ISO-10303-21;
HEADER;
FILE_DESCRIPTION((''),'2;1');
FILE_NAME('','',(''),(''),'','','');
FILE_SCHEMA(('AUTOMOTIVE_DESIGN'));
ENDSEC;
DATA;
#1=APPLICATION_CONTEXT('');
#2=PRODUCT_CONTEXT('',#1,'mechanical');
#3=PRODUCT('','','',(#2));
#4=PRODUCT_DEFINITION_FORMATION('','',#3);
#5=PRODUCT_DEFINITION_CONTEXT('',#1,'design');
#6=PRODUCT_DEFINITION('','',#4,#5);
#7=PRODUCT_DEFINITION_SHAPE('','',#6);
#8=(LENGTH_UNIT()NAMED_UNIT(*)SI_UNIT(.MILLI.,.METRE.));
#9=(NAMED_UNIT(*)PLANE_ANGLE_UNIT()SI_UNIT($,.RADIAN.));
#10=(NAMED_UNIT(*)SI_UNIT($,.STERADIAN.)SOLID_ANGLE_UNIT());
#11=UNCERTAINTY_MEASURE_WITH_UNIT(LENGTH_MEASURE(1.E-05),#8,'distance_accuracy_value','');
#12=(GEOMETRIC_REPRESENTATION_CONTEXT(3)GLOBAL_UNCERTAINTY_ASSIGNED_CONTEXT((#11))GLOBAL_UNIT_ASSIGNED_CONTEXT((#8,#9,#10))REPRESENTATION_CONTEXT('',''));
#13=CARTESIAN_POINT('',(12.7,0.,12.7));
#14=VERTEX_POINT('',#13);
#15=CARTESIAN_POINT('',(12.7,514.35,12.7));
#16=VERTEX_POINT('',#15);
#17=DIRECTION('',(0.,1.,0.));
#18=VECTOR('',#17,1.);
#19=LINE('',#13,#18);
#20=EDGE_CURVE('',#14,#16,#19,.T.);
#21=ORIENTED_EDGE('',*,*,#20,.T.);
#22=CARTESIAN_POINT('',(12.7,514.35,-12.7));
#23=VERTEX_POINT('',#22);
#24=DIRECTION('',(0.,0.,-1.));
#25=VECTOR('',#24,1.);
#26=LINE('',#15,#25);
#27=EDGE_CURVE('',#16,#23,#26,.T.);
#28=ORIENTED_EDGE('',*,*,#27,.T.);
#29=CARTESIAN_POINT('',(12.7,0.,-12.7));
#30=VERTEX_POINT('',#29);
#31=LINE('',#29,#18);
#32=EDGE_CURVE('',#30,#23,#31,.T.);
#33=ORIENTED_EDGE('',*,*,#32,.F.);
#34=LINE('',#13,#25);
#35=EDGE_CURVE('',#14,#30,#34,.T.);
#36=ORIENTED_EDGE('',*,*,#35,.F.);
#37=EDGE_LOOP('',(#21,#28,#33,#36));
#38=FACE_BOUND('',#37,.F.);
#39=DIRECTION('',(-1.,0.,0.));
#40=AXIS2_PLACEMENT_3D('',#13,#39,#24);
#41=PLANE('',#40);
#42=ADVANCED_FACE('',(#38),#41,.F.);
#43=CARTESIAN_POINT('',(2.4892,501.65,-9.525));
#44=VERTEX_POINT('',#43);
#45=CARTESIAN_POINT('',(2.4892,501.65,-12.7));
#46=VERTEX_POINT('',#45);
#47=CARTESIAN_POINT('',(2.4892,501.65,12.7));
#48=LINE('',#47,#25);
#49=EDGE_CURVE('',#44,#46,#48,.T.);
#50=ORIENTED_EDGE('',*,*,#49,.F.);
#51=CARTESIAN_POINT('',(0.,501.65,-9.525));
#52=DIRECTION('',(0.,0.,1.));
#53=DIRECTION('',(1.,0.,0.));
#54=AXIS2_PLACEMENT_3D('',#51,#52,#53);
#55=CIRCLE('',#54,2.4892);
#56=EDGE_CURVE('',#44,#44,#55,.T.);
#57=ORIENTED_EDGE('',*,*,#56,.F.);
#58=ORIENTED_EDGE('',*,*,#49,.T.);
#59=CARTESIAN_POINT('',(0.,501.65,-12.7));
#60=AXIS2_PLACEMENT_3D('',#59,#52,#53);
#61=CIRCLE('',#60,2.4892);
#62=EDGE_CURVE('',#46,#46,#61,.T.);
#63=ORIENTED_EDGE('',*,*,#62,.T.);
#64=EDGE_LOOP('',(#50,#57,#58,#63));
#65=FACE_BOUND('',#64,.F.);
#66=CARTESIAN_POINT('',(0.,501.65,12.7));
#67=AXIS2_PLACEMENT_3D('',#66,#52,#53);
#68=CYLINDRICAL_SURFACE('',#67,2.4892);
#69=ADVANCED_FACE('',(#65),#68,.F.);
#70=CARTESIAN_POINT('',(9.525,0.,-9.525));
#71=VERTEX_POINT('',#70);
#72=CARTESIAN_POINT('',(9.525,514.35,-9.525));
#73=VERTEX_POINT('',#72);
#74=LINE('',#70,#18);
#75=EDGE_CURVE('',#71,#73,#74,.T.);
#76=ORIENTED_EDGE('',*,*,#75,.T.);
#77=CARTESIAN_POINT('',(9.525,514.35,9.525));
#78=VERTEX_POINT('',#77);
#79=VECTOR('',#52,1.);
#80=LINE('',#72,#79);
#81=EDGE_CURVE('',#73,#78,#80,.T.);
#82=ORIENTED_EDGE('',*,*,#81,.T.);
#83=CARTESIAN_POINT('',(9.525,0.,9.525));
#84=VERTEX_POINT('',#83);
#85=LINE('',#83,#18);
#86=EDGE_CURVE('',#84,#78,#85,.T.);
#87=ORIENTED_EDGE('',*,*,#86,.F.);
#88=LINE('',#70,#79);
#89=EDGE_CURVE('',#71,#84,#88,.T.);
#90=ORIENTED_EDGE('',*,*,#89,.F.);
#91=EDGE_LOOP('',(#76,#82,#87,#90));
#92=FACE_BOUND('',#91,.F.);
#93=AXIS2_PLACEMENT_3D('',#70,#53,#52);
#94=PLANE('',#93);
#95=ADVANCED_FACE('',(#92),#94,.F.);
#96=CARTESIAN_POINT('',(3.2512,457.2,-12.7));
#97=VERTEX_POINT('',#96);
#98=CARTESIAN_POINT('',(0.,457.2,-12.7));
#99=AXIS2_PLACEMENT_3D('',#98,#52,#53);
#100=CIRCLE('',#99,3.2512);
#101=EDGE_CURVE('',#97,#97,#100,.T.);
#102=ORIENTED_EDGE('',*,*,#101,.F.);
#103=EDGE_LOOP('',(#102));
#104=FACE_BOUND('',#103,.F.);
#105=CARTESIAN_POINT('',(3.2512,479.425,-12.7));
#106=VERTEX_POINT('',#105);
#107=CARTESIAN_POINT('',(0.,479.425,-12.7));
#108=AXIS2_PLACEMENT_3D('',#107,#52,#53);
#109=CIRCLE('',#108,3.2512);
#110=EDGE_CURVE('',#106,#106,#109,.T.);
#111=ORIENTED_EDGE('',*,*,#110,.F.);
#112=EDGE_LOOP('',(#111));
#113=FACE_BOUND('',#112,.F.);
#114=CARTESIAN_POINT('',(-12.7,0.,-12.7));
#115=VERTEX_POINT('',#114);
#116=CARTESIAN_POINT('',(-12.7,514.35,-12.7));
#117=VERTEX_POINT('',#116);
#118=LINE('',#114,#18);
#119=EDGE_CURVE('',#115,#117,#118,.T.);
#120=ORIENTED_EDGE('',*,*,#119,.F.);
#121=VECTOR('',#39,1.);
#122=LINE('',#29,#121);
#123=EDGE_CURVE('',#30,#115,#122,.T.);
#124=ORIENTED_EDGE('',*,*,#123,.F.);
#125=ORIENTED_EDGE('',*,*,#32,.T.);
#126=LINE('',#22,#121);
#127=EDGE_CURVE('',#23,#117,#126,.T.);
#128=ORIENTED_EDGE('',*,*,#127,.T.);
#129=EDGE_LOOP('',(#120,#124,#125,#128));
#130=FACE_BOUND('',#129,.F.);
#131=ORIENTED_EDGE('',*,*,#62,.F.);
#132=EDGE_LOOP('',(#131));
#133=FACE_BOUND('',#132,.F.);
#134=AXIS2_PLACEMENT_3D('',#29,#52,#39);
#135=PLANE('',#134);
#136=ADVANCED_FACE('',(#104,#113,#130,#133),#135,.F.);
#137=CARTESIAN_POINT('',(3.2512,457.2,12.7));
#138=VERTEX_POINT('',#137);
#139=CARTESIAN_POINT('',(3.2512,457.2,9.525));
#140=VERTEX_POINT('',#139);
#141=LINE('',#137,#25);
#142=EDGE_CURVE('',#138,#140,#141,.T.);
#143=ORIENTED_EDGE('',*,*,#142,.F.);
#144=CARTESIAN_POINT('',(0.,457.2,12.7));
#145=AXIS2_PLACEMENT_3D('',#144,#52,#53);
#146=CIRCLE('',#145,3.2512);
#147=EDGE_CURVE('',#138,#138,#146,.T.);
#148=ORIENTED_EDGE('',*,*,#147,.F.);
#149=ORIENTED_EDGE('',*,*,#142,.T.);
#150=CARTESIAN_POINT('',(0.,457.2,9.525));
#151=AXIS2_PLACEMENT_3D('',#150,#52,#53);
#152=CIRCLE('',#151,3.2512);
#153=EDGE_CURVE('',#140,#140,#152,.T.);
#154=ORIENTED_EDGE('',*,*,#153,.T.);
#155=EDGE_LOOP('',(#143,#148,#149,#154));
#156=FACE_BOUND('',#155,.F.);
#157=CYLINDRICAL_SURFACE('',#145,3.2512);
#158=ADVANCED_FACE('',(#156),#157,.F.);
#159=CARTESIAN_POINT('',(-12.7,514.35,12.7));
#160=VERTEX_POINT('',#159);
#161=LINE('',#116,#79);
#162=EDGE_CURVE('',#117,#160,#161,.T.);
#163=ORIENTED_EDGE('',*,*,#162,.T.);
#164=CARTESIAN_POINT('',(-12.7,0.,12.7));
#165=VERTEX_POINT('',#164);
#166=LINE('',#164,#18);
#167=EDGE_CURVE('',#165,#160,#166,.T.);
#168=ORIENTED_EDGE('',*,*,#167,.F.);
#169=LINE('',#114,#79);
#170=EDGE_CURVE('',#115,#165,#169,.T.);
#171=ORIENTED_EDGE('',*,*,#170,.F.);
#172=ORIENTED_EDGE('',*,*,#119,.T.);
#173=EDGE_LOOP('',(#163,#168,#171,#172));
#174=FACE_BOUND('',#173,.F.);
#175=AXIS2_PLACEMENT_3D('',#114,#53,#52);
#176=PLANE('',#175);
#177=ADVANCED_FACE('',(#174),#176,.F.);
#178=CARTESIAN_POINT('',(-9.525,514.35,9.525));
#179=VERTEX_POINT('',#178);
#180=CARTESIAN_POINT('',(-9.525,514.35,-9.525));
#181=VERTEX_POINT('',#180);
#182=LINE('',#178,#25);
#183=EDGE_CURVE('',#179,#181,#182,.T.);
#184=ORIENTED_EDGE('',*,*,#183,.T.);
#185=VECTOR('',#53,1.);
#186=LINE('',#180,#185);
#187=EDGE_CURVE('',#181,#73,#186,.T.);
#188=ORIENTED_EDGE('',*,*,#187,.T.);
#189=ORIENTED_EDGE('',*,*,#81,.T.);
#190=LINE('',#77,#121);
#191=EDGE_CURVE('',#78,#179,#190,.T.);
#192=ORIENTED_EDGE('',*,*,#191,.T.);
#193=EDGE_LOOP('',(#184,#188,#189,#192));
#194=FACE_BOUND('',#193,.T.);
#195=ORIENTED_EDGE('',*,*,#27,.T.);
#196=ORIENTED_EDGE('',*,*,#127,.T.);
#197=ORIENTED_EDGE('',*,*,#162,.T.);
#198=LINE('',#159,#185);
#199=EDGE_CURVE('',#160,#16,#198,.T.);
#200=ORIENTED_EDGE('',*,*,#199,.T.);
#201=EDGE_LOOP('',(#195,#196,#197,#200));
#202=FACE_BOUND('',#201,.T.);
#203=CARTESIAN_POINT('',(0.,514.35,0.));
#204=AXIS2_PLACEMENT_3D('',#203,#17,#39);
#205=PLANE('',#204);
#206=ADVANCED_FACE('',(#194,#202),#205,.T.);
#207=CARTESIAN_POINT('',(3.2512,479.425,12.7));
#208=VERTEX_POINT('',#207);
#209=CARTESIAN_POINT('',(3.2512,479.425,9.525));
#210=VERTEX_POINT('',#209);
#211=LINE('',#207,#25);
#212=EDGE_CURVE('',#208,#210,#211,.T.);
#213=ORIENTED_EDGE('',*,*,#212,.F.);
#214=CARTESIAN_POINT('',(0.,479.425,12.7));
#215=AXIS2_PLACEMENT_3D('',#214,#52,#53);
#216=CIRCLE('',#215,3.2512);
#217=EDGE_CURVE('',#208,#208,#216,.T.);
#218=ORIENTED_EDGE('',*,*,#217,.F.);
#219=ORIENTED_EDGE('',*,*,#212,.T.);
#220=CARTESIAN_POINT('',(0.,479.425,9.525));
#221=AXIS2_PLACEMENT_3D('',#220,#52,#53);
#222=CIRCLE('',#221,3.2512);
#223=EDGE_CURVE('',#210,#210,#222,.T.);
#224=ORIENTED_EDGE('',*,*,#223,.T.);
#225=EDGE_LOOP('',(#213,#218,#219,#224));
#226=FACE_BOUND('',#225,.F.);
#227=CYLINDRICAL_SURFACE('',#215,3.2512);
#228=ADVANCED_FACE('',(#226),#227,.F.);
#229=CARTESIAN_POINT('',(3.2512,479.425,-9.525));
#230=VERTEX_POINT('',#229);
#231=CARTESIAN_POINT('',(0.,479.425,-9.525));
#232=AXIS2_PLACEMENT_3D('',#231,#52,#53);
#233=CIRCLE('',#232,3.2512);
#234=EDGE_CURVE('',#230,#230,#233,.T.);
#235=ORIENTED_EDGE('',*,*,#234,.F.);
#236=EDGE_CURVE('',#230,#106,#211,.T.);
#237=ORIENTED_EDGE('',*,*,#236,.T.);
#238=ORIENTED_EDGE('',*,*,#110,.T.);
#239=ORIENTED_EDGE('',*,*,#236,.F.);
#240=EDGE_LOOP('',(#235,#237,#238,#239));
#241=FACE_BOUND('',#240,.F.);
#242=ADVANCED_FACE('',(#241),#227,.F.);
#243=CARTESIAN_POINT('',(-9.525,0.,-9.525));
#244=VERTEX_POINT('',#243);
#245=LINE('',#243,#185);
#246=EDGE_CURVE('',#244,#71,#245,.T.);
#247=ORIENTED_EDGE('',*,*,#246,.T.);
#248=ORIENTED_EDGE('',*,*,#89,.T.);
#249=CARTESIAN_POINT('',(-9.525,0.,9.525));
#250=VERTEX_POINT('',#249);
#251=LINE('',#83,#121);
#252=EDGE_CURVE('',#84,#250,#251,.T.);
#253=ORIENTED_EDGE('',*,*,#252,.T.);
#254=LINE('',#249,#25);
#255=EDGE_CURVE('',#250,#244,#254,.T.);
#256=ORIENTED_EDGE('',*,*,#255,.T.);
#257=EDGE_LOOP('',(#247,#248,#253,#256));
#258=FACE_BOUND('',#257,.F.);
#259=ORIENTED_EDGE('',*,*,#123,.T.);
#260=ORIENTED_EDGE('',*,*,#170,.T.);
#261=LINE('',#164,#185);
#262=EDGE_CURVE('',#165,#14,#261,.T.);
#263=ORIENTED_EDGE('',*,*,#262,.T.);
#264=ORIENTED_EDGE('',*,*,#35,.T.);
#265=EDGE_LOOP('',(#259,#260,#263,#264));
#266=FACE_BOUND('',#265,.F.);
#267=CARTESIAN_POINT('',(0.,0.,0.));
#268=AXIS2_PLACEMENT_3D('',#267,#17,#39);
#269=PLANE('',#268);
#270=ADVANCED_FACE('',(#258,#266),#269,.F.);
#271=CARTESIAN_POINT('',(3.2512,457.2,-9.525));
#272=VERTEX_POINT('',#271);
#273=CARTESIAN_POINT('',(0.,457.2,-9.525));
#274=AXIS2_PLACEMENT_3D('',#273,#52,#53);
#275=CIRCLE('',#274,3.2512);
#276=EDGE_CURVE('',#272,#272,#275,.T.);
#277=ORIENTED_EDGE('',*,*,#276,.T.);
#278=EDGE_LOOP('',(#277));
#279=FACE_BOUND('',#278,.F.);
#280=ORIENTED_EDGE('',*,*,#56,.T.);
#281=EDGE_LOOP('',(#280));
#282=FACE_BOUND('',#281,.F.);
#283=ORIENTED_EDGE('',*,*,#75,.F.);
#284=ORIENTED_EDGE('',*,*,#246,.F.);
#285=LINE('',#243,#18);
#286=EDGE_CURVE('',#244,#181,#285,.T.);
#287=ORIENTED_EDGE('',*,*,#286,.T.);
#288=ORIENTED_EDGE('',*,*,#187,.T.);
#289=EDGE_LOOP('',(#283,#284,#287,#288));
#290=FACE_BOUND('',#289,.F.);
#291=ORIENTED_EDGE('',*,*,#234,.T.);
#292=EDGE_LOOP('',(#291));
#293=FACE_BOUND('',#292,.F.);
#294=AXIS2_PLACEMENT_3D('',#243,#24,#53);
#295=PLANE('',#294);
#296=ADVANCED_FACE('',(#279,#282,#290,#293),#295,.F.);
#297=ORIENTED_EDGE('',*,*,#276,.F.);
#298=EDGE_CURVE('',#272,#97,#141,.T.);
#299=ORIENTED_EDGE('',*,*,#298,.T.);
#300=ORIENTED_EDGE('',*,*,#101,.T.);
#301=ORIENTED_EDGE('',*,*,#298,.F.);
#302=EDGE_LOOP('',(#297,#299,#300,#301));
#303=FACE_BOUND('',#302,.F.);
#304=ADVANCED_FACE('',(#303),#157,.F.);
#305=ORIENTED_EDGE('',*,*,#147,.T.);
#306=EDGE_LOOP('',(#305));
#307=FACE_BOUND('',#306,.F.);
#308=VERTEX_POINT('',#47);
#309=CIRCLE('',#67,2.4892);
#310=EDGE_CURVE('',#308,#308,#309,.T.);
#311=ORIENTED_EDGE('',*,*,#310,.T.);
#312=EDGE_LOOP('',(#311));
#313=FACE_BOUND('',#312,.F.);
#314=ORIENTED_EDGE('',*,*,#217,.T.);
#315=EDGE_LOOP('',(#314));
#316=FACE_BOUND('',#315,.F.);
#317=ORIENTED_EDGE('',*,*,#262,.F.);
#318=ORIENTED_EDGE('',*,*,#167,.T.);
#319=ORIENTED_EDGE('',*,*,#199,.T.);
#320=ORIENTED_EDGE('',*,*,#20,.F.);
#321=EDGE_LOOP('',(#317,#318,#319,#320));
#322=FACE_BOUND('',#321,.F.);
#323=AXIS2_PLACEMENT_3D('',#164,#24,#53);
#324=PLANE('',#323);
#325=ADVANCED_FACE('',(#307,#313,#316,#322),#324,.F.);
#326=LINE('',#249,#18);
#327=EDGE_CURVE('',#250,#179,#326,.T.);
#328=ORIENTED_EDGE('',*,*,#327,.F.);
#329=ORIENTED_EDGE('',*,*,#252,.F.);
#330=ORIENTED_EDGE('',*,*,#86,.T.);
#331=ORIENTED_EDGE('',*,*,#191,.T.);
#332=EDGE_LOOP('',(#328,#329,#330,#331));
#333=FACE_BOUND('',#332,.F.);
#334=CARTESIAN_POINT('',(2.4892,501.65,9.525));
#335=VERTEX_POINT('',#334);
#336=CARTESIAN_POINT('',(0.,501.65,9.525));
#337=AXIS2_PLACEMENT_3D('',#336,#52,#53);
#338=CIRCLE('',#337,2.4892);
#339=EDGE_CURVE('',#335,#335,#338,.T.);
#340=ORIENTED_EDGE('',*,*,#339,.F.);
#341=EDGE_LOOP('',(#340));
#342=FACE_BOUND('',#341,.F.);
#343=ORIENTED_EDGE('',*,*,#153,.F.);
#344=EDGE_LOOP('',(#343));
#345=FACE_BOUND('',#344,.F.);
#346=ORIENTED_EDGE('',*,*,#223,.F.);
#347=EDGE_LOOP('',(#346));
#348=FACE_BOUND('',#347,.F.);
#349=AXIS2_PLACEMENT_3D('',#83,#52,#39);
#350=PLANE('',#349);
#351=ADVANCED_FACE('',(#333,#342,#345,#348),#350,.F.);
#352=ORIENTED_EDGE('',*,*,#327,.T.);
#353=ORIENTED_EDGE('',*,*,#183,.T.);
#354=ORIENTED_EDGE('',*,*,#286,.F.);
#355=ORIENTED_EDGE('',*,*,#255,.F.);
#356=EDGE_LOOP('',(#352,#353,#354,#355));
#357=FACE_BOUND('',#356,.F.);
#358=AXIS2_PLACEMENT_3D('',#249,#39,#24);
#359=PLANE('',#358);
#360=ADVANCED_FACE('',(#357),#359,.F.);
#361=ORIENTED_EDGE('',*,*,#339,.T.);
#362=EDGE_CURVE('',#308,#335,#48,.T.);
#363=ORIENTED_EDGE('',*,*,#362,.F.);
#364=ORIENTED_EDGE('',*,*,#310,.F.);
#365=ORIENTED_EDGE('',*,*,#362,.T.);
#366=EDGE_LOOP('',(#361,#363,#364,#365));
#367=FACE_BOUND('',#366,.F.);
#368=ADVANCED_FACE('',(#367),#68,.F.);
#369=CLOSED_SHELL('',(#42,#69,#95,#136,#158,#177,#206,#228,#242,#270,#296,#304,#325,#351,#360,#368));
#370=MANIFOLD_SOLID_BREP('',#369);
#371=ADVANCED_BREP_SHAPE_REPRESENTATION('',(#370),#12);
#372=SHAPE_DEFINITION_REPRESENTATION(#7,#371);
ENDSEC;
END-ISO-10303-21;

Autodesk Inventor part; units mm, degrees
ref_plane "YZ Plane" through (0, 0, 0) normal (1, 0, 0) x (0, 1, 0)
ref_plane "XZ Plane" through (0, 0, 0) normal (0, 1, 0) x (-1, 0, 0)
ref_plane "XY Plane" through (0, 0, 0) normal (0, 0, 1) x (1, 0, 0)
sketch "Sketch1" plane through (0, 0, 0) normal (0, 1, 0) x (-1, 0, 0)
  line L0 (-12.7, -12.7) -> (12.7, -12.7)
  line L1 (12.7, -12.7) -> (12.7, 12.7)
  line L2 (12.7, 12.7) -> (-12.7, 12.7)
  line L3 (-12.7, 12.7) -> (-12.7, -12.7)
  line L4 (-12.7, -12.7) -> (12.7, 12.7) construction
  line L5 (12.7, -12.7) -> (-12.7, 12.7) construction
  line L6 (9.525, 9.525) -> (9.525, -9.525)
  line L7 (9.525, -9.525) -> (-9.525, -9.525)
  line L8 (-9.525, -9.525) -> (-9.525, 9.525)
  line L9 (-9.525, 9.525) -> (9.525, 9.525)
  point P0 (0, 0)
  dimension "d0" = 25.4
  dimension "d1" = 25.4
  dimension "d2" = 3.175
extrude "Extrusion1" add sketch "Sketch1" along normal blind 514.35
sketch "Sketch2" plane through (-12.7, 0, 12.7) normal (0, 0, 1) x (1, 0, 0)
  line L0 (25.4, 488.95) -> (0, 488.95) construction
  line L1 (0, 488.95) -> (0, 514.35) construction
  line L2 (0, 514.35) -> (25.4, 514.35) construction
  line L3 (25.4, 514.35) -> (25.4, 488.95) construction
  line L4 (25.4, 488.95) -> (0, 514.35) construction
  line L5 (0, 488.95) -> (25.4, 514.35) construction
  circle A0 centre (12.7, 501.65) radius 2.4892
  circle A1 centre (12.7, 479.425) radius 3.2512
  circle A2 centre (12.7, 457.2) radius 3.2512
  point P0 (12.7, 0)
  dimension "d5" = 25.4
  dimension "d6" = 25.4
  dimension "d7" = 4.9784
  dimension "d10" = 22.225
  dimension "d11" = 22.225
  dimension "d12" = 6.5024
extrude "Extrusion2" cut sketch "Sketch2" against normal through all
properties part number "STRU_012_BilletPoleMiddle_Unique" material "Aluminum 6061"
